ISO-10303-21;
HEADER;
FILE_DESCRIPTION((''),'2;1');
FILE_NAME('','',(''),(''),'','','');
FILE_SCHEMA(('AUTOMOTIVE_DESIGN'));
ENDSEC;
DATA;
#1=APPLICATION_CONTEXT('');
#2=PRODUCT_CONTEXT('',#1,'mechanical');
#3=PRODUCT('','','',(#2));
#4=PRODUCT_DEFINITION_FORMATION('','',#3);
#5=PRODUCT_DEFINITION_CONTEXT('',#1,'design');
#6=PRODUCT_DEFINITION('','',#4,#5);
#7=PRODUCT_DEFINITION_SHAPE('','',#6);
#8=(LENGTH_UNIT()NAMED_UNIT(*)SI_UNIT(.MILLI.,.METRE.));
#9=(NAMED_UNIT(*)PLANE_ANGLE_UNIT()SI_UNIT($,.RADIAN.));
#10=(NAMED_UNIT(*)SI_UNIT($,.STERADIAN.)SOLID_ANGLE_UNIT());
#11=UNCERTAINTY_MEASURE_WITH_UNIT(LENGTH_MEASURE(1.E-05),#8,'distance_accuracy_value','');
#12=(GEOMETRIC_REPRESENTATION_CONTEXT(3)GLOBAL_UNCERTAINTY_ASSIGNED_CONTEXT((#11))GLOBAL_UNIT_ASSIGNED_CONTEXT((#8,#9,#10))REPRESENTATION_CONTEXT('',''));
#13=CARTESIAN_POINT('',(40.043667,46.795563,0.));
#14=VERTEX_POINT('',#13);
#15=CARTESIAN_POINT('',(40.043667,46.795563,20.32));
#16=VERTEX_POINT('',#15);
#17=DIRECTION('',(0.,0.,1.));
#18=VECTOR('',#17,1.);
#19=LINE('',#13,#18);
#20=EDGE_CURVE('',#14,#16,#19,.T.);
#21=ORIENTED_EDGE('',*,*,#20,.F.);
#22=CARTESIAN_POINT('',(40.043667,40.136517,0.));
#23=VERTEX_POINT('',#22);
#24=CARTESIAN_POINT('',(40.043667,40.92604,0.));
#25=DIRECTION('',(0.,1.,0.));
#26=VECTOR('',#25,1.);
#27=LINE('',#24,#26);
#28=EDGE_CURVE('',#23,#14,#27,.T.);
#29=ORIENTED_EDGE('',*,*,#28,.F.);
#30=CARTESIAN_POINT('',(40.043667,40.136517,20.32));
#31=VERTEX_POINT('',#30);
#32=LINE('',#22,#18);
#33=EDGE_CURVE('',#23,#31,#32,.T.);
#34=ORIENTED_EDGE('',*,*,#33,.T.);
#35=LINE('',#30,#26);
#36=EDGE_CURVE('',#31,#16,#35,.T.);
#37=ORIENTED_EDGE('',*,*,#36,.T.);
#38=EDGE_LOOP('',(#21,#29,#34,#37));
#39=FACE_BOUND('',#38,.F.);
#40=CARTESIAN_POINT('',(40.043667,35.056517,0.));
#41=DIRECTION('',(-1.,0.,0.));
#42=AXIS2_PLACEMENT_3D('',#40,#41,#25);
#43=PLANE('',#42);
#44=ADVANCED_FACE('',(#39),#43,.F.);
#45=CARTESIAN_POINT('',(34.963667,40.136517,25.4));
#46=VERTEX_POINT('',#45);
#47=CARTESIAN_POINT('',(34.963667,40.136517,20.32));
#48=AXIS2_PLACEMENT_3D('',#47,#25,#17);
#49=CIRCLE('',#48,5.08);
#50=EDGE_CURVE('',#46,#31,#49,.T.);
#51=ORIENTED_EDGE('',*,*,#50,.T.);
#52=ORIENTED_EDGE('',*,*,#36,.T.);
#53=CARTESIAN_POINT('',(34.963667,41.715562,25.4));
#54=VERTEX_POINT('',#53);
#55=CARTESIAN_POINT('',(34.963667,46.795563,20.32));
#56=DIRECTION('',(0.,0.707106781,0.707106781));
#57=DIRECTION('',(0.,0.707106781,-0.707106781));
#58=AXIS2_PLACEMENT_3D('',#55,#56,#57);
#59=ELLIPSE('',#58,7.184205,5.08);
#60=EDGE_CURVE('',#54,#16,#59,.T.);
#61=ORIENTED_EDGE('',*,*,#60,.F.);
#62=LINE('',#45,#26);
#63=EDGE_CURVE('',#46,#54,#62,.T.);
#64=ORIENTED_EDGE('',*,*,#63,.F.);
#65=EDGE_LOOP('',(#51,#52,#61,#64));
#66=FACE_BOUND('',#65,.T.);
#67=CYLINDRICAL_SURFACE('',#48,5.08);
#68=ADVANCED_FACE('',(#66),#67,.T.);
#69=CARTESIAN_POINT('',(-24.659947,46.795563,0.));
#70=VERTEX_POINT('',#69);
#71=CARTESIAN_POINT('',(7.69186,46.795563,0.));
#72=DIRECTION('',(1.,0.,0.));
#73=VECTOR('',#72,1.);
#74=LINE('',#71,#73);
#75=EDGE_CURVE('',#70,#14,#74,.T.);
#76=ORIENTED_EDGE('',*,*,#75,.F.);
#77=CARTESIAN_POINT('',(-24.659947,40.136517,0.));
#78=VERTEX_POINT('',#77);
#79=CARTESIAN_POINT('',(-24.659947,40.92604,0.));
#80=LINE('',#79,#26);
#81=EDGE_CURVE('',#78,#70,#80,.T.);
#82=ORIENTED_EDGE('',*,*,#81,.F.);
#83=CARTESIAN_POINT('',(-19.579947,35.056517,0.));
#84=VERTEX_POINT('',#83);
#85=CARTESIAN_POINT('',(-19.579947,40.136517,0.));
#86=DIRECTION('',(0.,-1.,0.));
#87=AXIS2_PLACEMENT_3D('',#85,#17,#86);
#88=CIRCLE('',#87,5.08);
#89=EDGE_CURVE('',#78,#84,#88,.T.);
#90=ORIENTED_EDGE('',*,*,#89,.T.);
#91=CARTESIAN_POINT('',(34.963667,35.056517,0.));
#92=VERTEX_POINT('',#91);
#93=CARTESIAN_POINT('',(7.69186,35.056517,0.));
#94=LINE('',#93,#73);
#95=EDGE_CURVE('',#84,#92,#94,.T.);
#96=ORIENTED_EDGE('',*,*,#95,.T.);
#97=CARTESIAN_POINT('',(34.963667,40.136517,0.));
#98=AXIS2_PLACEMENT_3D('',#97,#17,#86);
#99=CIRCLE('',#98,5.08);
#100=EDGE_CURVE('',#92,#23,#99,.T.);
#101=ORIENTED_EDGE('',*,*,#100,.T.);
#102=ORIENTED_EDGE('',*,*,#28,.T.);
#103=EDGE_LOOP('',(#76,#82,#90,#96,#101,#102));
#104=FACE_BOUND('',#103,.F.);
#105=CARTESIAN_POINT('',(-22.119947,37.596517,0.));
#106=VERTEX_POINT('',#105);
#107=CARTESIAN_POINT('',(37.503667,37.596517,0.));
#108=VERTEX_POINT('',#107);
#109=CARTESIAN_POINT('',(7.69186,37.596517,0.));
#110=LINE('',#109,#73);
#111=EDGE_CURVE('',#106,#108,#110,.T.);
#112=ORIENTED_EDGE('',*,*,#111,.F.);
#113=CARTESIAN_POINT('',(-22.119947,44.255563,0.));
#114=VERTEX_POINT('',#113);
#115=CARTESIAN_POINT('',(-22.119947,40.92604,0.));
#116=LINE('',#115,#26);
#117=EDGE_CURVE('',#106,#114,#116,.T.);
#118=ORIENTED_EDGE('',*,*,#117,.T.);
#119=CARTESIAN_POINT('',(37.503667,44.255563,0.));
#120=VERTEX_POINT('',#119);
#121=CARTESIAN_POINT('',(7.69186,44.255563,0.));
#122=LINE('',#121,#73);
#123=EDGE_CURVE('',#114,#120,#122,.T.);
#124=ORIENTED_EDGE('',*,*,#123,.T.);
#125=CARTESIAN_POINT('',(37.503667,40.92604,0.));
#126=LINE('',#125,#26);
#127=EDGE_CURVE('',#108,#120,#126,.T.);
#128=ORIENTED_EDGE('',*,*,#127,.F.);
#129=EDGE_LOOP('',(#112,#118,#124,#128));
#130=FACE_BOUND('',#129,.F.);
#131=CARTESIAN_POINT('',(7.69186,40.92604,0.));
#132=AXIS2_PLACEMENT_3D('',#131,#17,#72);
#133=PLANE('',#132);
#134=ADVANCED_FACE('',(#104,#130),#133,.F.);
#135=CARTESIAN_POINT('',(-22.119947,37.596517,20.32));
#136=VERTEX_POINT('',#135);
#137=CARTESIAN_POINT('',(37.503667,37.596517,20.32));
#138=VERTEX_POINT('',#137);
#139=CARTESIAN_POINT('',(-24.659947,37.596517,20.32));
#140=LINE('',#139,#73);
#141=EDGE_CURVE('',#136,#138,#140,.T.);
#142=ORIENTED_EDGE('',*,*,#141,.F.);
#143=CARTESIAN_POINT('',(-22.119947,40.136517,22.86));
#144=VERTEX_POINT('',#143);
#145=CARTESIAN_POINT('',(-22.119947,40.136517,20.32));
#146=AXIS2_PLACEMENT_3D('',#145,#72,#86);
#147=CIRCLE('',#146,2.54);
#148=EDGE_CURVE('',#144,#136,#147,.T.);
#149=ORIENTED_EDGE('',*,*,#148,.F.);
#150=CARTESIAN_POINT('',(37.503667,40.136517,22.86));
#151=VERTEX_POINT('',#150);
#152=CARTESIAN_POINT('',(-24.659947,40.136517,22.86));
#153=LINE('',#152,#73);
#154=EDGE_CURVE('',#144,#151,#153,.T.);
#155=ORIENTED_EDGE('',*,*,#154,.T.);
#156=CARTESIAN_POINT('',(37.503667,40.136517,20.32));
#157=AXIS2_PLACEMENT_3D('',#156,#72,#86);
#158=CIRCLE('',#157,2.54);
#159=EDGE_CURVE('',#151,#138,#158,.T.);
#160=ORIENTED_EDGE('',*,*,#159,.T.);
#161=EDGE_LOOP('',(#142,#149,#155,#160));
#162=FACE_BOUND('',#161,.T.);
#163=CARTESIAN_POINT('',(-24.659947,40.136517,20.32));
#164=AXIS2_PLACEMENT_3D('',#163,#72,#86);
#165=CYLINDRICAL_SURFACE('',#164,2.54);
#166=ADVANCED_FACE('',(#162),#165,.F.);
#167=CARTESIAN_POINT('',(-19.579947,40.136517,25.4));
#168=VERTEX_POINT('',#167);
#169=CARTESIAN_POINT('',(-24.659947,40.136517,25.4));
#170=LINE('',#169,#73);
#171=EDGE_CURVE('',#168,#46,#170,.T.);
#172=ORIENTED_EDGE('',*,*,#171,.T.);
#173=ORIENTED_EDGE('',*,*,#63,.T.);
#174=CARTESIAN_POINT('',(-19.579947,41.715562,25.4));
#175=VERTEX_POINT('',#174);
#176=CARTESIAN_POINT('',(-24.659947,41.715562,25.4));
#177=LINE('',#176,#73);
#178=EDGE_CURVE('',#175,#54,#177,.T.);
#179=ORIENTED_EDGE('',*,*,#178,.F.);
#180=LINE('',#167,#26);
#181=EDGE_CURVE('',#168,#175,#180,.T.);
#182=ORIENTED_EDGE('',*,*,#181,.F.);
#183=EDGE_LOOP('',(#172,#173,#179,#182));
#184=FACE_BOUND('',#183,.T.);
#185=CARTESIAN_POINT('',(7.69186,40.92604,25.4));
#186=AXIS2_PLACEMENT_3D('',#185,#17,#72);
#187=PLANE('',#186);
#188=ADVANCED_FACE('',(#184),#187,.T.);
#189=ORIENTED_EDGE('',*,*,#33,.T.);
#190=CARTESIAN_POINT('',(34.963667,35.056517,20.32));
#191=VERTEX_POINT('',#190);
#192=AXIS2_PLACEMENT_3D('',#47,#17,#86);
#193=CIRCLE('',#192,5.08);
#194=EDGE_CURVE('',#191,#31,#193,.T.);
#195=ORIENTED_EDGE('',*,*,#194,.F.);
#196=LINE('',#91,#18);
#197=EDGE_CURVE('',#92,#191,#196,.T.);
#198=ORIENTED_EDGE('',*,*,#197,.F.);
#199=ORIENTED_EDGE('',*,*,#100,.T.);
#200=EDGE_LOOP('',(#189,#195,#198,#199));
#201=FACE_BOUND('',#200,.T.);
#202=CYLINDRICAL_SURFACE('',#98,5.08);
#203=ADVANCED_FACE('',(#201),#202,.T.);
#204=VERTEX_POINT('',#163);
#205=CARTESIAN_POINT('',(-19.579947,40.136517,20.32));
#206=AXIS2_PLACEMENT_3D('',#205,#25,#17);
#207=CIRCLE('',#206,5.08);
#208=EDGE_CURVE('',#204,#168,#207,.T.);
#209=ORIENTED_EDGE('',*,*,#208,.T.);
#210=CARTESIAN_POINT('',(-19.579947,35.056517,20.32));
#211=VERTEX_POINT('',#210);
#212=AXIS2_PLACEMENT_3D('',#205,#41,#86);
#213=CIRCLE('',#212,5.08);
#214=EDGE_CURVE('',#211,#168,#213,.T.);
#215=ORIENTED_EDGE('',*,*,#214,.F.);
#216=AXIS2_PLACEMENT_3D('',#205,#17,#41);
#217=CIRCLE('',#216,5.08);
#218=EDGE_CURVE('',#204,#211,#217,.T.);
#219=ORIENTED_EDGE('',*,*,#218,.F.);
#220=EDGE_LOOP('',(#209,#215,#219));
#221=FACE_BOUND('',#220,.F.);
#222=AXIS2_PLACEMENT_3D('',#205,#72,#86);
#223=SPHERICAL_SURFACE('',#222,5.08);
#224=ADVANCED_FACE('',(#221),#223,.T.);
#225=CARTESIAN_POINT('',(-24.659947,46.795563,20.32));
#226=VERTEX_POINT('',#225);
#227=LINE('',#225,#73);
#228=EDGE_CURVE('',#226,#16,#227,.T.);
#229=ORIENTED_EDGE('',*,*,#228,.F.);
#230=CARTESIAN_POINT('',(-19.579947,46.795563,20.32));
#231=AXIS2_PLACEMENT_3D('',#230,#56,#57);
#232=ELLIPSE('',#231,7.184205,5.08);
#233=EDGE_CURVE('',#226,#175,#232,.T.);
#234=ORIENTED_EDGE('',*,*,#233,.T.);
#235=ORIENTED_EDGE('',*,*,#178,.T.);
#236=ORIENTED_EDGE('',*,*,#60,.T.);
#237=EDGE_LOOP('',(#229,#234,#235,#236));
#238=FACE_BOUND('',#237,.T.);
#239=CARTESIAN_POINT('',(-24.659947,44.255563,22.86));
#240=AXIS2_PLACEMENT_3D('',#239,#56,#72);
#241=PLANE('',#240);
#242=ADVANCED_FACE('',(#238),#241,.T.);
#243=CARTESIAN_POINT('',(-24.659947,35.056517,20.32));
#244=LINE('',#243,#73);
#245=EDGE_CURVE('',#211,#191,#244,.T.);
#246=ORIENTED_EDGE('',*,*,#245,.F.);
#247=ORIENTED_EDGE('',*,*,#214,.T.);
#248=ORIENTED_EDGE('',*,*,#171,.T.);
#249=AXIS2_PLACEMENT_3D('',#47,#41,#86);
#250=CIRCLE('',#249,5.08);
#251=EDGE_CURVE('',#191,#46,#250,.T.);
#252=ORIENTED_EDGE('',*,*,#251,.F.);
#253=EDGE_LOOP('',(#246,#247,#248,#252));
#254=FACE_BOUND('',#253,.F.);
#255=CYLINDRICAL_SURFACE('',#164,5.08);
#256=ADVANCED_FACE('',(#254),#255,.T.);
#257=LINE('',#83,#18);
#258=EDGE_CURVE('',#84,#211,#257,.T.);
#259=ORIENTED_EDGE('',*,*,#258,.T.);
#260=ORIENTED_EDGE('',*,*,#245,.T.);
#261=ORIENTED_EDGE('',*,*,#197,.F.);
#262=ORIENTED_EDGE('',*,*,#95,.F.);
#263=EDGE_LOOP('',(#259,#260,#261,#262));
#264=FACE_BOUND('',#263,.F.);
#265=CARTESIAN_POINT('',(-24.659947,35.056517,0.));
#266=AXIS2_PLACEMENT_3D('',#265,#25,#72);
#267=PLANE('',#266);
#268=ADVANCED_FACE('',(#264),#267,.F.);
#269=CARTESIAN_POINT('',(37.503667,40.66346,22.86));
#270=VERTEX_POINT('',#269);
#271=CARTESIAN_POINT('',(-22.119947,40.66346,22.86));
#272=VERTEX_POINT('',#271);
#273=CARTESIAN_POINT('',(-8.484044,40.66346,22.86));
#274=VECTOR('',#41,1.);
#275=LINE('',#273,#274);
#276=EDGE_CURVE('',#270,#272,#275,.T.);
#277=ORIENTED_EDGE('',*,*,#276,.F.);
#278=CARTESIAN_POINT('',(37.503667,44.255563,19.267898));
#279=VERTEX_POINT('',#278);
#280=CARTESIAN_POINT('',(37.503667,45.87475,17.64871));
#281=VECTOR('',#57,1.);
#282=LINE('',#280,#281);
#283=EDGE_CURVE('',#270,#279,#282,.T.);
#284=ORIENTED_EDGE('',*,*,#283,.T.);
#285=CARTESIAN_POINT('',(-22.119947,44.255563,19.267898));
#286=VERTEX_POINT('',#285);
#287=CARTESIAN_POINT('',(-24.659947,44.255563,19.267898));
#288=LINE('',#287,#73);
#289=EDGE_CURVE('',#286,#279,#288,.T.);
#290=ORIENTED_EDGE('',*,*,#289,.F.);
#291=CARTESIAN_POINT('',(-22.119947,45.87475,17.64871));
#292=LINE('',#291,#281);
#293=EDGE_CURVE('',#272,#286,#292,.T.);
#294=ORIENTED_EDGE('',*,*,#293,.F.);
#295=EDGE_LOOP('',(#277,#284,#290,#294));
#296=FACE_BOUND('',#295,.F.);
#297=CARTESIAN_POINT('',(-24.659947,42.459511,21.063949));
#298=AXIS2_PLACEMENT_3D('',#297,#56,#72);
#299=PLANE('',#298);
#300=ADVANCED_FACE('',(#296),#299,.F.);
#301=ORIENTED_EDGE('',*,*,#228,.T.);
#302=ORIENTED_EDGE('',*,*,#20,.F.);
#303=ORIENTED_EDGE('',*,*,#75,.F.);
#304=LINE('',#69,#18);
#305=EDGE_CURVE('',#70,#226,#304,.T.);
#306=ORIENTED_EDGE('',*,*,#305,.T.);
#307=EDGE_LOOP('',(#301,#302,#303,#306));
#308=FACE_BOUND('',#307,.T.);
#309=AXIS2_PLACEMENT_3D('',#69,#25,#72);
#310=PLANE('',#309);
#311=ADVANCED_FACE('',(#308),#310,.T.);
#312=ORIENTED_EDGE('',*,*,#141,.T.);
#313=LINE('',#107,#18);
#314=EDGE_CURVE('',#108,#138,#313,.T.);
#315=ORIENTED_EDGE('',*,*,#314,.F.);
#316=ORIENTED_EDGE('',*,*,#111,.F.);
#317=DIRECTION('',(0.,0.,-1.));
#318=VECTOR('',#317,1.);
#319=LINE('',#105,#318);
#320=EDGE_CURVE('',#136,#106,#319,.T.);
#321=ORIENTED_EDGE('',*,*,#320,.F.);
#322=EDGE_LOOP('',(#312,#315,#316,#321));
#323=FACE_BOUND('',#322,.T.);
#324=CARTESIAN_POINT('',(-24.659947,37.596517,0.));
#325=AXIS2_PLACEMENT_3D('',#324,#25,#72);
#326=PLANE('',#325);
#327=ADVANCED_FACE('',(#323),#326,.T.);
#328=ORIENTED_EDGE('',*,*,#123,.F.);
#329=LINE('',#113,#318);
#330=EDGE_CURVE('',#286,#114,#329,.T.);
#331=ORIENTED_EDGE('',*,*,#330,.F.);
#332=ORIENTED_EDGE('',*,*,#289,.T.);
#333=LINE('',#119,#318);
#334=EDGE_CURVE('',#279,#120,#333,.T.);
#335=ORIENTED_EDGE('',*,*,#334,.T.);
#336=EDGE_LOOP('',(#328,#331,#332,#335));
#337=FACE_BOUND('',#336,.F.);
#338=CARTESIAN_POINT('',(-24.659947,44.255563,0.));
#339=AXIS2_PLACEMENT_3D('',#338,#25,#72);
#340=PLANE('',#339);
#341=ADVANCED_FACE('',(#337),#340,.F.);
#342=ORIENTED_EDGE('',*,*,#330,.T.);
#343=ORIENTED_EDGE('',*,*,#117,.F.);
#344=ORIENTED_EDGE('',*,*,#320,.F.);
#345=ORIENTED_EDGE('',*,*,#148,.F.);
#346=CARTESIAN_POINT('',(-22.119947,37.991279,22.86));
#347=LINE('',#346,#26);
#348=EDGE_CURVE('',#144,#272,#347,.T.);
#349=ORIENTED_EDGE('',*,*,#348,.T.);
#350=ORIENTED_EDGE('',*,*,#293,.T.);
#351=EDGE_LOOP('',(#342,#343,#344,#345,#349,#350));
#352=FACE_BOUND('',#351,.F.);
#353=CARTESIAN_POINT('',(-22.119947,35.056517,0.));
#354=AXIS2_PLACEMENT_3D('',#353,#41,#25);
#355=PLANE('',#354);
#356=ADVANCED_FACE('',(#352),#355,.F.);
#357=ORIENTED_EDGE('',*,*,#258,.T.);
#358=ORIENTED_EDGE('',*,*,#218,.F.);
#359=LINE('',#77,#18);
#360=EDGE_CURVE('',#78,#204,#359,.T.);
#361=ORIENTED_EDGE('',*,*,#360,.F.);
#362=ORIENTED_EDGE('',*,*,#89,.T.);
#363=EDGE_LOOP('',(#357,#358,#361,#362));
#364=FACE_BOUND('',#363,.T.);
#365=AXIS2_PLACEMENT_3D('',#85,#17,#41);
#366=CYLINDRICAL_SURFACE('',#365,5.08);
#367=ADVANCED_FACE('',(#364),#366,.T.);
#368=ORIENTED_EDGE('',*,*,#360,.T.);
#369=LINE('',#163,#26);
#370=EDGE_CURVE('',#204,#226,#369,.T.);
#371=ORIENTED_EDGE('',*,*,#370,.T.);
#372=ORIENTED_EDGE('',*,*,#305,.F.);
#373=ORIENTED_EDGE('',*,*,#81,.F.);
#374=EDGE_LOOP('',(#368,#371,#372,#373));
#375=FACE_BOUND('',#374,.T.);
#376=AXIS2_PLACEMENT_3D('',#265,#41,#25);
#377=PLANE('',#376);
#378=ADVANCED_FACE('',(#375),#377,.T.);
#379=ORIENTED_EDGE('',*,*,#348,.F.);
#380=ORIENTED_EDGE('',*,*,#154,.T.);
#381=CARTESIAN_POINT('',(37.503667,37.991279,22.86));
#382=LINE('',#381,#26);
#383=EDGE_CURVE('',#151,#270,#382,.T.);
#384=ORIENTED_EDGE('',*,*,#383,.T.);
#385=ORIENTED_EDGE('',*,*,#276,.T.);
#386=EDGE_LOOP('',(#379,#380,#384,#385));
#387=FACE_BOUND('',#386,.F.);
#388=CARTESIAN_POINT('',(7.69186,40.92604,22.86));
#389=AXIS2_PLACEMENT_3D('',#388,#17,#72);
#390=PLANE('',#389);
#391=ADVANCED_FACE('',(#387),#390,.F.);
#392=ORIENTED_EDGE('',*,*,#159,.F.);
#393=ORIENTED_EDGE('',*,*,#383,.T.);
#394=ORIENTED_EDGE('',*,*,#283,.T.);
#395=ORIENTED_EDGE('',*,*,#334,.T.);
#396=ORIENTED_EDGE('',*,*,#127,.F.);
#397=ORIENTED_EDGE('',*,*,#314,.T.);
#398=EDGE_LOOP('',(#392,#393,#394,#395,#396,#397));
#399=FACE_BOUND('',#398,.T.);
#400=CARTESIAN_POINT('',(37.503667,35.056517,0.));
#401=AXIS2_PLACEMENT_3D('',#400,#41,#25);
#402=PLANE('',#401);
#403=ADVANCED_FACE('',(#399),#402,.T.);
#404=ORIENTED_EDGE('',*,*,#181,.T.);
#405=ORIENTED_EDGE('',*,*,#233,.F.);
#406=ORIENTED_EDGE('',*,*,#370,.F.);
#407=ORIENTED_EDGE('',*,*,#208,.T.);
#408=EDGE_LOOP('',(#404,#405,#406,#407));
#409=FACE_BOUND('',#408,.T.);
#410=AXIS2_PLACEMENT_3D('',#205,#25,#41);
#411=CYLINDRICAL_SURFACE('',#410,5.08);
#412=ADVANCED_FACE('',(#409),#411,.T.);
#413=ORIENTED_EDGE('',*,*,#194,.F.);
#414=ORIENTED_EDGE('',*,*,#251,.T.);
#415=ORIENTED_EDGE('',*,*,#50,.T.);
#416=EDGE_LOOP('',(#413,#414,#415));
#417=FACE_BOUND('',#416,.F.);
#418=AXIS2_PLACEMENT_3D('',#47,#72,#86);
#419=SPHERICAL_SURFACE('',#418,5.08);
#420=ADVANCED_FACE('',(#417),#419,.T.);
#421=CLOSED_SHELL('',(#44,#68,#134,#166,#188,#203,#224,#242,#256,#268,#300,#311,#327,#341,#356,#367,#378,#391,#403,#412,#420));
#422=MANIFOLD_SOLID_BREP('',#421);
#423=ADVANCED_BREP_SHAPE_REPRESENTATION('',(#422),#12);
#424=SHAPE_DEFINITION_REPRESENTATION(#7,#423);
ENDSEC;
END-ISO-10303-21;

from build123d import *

# Parameters (mm, degrees)
F0_W     = 64.703614
F0_H     = 11.739045
F1_DEPTH = 25.4
F2_R     = 5.08
F3_SIZE  = 5.08
F4_T     = -2.54
F5_R     = 5.08


with BuildPart() as f1:
    # F0 (on Top) → F1 (new body)
    with BuildSketch(Plane.XY):
        with Locations((7.69186, 40.92604)):
            Rectangle(F0_W, F0_H)
    extrude(amount=F1_DEPTH)

    # F2
    f2_edges = [f1.edges().sort_by_distance(p)[0] for p in [
        (7.69186, 35.056517, 25.4),
    ]]
    fillet(f2_edges, radius=F2_R)

    # F3
    f3_edges = [f1.edges().sort_by_distance(p)[0] for p in [
        (7.69186, 46.795562, 25.4),
    ]]
    chamfer(f3_edges, length=F3_SIZE)

    # F4
    f4_openings = [f1.faces().sort_by_distance(p)[0] for p in [
        (7.69186, 40.926039, 0),
    ]]
    offset(amount=F4_T, openings=f4_openings)

    # F5
    f5_edges = [f1.edges().sort_by_distance(p)[0] for p in [
        (40.043667, 35.056517, 10.16),
        (-24.659947, 35.056517, 10.16),
    ]]
    fillet(f5_edges, radius=F5_R)


solid = f1.part
